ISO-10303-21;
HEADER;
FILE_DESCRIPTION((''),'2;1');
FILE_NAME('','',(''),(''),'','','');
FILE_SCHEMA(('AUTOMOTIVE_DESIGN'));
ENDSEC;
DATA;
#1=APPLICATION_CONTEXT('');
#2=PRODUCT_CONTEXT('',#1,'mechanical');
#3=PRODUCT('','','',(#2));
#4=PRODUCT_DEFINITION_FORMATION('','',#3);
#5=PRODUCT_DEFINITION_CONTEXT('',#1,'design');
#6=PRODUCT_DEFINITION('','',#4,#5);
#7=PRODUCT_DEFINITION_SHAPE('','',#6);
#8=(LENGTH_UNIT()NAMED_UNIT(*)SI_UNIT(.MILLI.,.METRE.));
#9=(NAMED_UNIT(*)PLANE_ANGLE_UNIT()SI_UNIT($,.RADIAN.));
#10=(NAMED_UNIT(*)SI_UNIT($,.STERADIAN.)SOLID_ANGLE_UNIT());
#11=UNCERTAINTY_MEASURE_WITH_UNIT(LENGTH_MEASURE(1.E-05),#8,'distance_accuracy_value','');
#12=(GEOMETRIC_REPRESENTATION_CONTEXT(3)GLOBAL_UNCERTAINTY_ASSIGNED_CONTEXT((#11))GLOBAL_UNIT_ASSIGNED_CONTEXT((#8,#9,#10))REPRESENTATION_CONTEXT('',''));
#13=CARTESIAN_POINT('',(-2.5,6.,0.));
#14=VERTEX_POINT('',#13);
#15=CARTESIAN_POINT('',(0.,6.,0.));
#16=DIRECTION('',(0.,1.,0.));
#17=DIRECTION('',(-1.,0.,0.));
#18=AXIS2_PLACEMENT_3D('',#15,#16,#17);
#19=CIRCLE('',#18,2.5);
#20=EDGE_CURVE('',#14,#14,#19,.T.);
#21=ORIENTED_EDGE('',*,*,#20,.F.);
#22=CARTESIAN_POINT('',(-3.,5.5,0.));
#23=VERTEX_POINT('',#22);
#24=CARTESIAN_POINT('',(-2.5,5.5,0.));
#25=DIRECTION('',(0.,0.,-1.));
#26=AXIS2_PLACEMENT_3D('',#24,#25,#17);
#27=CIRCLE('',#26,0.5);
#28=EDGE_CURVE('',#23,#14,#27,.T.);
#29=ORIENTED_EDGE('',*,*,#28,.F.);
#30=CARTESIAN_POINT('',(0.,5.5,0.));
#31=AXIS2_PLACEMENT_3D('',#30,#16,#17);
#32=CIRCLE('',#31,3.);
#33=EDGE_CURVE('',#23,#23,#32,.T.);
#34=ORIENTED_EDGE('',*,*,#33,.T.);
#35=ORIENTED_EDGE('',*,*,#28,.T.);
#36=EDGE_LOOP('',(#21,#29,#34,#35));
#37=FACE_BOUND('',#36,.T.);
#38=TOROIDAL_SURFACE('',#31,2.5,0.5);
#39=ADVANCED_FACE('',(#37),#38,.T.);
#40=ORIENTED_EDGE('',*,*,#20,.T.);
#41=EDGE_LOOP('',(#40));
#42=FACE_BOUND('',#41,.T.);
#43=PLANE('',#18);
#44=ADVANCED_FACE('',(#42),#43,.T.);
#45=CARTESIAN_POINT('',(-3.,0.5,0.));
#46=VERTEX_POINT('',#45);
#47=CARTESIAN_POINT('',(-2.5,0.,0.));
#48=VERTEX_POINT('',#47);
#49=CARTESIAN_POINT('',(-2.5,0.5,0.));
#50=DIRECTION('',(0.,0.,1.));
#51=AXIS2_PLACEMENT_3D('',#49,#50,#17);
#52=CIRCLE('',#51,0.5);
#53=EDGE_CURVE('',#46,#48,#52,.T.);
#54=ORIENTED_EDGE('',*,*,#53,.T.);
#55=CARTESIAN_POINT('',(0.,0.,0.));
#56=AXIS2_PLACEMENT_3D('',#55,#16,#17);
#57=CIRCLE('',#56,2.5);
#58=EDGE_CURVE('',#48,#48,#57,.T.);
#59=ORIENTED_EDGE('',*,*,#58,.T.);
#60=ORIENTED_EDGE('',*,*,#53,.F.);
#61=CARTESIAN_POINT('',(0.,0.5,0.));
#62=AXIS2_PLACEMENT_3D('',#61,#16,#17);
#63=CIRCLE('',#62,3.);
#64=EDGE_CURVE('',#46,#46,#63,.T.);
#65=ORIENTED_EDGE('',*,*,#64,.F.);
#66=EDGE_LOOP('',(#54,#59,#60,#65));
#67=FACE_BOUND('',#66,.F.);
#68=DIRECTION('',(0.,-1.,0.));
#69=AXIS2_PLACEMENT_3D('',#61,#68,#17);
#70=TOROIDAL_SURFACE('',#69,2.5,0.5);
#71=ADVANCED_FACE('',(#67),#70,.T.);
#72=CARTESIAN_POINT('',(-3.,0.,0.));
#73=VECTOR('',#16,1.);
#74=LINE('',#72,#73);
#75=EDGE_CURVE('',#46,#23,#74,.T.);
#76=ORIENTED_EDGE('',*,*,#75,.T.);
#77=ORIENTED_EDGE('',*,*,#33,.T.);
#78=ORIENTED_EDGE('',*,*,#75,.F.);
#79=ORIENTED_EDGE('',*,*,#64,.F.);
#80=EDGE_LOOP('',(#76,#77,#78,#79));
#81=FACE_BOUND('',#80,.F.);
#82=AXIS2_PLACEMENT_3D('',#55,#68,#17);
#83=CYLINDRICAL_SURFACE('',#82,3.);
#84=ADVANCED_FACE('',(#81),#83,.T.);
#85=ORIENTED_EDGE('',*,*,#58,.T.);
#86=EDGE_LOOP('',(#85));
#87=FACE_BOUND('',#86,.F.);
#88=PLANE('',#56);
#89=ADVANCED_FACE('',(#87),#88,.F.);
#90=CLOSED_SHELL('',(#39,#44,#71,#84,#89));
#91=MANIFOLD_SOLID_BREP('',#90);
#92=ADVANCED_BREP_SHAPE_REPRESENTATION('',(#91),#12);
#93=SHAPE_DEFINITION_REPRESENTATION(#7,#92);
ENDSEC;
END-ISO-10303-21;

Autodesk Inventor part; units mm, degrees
ref_plane "YZ Plane" through (0, 0, 0) normal (1, 0, 0) x (0, 1, 0)
ref_plane "XZ Plane" through (0, 0, 0) normal (0, 1, 0) x (-1, 0, 0)
ref_plane "XY Plane" through (0, 0, 0) normal (0, 0, 1) x (1, 0, 0)
sketch "Sketch1" plane through (0, 0, 0) normal (0, 1, 0) x (-1, 0, 0)
  circle A0 centre (0, 0) radius 3
  dimension "d0" = 6
extrude "Extrusion1" add sketch "Sketch1" along normal blind 6
fillet "Fillet1" radius 0.5 2 edges at (3, 6, 0) (3, 0, 0)
properties part number "6mm x 6mm Magnet"
